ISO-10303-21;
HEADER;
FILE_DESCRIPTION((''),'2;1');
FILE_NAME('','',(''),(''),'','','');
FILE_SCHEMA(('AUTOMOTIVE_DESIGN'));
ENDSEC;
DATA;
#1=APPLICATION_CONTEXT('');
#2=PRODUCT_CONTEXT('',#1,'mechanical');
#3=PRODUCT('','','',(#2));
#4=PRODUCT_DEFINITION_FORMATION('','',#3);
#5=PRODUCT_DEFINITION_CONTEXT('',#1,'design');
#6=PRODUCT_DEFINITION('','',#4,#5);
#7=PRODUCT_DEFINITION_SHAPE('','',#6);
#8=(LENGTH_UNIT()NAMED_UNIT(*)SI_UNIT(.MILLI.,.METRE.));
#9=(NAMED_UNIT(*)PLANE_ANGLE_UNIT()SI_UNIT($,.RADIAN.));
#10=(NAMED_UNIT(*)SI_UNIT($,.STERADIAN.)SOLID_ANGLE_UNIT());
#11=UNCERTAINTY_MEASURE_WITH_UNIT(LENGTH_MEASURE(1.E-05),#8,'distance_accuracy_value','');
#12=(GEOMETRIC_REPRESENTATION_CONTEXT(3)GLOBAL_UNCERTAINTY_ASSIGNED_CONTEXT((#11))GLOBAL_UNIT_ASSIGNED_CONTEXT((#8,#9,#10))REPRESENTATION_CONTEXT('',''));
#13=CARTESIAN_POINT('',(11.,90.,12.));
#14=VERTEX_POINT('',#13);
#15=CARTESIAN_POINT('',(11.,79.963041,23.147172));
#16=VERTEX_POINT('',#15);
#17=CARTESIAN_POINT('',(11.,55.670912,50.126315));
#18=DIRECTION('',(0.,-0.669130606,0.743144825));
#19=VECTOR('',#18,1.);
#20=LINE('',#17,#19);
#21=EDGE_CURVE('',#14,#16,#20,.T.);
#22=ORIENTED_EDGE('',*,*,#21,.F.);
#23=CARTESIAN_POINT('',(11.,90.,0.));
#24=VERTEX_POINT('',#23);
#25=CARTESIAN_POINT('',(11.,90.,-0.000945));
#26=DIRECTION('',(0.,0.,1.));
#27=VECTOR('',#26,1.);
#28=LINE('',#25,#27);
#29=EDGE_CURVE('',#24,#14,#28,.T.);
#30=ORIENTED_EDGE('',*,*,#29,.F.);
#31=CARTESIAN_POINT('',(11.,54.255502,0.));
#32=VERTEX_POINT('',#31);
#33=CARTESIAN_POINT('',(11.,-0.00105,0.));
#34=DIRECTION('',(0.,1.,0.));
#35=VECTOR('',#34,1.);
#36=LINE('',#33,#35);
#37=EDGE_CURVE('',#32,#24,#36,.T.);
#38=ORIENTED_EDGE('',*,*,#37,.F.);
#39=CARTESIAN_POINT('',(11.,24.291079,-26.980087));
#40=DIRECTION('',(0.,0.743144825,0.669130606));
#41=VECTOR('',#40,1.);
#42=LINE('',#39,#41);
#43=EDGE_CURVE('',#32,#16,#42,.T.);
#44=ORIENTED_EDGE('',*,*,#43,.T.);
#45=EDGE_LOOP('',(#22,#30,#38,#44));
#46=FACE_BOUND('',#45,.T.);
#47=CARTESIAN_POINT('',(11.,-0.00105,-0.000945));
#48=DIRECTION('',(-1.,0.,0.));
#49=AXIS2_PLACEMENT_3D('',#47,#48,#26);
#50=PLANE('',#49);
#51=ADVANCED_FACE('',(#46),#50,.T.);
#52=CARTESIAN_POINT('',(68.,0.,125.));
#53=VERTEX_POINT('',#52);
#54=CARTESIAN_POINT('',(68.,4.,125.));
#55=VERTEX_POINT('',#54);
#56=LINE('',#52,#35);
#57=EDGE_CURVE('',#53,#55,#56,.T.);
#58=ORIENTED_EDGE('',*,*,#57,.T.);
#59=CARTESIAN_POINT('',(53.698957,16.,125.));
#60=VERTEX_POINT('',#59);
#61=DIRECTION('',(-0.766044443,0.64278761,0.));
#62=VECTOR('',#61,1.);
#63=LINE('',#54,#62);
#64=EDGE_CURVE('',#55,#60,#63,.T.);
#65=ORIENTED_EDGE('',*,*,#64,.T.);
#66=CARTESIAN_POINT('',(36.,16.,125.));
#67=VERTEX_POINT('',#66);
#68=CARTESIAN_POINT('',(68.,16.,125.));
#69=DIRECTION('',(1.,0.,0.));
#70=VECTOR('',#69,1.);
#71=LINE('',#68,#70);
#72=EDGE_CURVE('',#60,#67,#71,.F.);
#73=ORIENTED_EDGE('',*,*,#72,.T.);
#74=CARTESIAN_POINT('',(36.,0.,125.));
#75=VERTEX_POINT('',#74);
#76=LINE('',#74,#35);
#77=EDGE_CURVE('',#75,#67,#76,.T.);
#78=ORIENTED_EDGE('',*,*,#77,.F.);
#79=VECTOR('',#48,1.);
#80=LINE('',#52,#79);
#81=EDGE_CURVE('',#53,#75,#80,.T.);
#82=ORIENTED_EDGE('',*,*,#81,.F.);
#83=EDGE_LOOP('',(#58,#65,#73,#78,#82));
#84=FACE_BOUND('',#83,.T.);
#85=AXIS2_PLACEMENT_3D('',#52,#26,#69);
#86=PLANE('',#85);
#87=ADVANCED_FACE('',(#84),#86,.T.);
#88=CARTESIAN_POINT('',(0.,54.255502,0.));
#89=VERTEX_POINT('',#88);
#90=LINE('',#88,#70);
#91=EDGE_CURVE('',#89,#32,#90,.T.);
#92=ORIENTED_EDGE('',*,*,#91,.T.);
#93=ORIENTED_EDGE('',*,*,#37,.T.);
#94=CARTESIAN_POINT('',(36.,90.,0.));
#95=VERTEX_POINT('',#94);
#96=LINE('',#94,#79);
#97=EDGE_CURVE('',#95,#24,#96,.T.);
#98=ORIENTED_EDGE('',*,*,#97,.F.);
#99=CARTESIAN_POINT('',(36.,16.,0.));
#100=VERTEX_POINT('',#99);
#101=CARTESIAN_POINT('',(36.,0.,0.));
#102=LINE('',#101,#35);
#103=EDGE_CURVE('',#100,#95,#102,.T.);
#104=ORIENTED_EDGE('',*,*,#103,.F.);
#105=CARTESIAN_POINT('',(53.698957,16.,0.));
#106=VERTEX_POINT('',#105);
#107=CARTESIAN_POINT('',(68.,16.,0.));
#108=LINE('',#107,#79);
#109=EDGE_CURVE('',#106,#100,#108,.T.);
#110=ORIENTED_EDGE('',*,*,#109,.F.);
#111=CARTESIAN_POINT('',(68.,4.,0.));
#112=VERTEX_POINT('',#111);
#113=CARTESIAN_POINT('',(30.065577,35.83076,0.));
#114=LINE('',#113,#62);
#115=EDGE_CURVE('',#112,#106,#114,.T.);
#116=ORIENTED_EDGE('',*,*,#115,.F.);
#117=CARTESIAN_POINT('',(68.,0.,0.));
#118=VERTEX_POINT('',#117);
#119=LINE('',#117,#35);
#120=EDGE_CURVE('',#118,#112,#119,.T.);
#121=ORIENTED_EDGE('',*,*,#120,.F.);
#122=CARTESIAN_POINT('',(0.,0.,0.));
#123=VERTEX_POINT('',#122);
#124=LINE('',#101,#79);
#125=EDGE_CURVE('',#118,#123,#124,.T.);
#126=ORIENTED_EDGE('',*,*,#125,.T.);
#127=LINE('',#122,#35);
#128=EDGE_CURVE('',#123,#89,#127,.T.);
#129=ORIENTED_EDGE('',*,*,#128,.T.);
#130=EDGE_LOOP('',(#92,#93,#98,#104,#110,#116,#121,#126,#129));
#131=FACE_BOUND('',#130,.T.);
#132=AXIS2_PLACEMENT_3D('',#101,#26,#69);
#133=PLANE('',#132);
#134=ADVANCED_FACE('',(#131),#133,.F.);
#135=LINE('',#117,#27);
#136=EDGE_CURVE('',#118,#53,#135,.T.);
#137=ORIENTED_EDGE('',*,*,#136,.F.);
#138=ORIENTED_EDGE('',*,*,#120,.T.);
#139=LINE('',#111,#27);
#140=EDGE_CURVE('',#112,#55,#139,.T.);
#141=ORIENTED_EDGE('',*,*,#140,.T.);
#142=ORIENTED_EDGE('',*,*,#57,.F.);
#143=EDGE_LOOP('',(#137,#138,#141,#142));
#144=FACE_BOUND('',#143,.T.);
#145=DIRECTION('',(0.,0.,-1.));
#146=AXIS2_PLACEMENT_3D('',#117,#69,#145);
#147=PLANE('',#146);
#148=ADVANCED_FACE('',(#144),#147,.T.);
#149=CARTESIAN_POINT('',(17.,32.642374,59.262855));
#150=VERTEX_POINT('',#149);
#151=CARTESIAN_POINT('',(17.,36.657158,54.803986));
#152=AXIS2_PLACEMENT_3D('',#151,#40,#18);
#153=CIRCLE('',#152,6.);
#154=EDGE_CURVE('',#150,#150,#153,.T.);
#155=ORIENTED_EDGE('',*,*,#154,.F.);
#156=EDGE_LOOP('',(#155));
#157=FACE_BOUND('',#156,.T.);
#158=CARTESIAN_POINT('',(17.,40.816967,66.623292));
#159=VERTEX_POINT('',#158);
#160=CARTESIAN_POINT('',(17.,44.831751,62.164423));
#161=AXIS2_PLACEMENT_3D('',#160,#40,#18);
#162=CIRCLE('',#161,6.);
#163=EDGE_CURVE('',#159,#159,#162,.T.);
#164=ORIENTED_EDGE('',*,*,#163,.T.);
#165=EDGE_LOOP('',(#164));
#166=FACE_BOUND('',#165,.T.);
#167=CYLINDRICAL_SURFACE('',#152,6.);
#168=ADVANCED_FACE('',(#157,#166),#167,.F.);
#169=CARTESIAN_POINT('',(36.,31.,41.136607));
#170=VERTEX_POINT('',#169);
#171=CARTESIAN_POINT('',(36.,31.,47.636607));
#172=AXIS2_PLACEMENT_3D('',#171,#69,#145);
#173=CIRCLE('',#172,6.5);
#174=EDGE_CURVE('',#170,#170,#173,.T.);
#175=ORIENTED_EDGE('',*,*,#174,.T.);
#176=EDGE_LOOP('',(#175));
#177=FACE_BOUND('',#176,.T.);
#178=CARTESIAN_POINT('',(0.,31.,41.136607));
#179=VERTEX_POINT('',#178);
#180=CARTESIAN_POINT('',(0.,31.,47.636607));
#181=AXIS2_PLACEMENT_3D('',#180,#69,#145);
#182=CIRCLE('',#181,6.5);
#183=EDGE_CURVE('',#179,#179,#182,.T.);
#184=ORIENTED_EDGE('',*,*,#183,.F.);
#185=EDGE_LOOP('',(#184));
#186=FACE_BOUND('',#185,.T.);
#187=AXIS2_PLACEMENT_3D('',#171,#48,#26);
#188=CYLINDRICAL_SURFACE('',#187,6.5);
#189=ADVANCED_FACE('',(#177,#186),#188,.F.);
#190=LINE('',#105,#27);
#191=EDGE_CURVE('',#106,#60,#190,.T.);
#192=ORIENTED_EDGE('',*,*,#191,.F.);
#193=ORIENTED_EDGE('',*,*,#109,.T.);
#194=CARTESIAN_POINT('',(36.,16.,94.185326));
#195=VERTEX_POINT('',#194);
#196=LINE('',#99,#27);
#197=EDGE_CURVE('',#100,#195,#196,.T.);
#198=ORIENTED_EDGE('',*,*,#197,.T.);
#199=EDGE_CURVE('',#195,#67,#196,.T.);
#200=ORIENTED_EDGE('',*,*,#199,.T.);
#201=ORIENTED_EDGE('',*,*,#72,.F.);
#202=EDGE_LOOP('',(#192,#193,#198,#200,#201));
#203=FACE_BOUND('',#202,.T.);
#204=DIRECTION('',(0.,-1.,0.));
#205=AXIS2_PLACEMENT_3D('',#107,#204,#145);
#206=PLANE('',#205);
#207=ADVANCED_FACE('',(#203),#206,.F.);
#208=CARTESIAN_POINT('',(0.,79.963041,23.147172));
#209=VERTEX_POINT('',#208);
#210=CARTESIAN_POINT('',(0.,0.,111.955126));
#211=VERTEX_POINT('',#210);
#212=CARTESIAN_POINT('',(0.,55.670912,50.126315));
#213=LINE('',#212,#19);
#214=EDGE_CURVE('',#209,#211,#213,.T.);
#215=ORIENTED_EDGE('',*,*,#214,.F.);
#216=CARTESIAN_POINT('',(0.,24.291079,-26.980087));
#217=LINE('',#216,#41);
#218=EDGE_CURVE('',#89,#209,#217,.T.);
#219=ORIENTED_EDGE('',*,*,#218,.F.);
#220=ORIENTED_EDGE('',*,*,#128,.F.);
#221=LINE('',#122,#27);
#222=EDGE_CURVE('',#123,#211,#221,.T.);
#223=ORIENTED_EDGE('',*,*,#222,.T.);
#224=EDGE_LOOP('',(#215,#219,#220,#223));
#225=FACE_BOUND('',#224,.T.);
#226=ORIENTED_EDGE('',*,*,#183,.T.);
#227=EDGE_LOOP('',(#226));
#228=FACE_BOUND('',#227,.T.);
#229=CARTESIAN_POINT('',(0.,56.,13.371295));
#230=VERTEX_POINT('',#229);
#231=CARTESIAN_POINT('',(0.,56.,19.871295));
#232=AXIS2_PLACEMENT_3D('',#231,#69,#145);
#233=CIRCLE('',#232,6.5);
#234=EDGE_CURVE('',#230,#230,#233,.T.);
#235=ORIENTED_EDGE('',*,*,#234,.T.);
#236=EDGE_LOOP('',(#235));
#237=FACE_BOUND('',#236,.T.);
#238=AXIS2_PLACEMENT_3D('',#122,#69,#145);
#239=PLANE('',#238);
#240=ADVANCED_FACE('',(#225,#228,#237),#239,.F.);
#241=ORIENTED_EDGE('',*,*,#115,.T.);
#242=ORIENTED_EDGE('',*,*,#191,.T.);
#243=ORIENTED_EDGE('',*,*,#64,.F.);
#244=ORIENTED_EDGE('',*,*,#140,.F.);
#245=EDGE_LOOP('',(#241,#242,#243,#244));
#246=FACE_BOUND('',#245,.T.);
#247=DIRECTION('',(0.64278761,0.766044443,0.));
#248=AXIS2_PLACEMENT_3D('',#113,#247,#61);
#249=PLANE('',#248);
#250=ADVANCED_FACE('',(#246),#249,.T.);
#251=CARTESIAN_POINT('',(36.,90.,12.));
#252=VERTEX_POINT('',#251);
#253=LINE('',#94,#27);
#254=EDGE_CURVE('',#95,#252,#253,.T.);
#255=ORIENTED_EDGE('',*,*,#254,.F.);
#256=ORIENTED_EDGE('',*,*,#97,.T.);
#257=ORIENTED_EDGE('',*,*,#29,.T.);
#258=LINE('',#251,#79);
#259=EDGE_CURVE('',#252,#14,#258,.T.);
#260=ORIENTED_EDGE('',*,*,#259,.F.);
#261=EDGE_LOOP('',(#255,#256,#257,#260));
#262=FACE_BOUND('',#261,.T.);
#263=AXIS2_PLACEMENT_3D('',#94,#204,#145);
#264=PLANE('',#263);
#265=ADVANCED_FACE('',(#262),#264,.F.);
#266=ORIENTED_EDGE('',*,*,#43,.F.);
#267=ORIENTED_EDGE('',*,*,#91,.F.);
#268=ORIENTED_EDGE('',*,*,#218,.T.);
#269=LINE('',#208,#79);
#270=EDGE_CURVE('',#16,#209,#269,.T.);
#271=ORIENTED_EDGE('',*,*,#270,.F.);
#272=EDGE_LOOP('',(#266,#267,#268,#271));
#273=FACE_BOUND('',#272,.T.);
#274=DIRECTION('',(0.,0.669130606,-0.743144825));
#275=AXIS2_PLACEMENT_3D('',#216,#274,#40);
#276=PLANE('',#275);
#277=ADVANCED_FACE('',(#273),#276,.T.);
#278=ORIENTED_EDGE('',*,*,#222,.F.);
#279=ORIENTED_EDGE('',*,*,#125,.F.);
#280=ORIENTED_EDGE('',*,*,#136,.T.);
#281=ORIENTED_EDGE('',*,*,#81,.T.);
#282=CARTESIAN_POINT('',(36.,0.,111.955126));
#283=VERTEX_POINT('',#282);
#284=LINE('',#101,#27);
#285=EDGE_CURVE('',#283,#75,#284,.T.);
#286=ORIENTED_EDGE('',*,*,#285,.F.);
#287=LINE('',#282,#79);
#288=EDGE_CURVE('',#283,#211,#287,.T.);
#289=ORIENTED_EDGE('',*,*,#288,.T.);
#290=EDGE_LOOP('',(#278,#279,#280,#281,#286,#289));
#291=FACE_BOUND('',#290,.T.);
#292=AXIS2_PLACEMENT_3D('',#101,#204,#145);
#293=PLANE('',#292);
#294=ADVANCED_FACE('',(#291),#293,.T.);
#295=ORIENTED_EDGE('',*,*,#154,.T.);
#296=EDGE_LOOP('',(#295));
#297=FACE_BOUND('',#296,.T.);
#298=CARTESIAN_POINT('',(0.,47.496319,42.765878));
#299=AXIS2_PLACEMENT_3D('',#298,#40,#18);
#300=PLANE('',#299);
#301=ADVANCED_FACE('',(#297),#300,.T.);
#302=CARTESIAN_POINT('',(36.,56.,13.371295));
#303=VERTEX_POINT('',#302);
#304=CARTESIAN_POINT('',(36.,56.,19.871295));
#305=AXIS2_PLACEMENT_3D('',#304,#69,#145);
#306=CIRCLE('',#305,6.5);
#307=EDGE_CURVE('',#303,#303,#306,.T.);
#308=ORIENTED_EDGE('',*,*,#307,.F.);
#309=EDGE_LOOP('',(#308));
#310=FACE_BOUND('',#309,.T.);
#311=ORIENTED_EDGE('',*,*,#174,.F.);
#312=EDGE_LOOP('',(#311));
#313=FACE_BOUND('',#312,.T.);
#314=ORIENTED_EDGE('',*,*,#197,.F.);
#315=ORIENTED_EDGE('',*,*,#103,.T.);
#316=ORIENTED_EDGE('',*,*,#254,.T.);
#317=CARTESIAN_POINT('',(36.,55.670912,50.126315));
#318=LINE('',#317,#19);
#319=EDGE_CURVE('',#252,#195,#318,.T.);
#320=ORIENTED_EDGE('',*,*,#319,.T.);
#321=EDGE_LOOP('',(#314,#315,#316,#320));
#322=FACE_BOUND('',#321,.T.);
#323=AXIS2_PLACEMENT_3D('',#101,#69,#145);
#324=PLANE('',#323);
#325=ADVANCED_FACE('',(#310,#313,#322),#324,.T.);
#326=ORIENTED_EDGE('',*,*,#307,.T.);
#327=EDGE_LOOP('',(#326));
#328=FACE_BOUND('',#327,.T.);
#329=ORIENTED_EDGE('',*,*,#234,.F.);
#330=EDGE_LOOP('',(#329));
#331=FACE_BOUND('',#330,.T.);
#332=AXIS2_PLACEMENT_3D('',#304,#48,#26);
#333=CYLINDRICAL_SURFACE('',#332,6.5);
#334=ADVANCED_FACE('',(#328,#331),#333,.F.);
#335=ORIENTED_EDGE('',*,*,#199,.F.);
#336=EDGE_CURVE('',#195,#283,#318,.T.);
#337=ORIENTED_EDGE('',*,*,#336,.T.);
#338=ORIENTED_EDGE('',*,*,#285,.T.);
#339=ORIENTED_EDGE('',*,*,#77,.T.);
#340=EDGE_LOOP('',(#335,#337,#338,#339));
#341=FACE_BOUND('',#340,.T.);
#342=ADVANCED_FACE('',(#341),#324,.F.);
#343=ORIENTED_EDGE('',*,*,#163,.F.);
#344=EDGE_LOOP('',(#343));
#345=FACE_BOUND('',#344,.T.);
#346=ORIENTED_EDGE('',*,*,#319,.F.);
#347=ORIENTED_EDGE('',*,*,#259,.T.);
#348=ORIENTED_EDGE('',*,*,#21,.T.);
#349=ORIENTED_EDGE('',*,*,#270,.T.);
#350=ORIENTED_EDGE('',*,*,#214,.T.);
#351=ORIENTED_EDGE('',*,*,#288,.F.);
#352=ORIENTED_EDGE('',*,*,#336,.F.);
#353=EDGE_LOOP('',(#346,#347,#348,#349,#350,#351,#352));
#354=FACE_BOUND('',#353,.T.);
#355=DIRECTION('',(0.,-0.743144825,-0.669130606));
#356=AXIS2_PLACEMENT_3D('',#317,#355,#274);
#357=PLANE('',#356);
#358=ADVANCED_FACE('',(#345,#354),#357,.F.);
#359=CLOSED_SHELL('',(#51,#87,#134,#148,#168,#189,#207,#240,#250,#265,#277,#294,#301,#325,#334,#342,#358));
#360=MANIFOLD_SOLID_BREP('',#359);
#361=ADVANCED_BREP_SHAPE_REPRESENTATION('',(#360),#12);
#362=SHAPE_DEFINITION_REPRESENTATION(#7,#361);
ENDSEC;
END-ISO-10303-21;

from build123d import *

# Parameters (mm, degrees)
SKETCH1_R               = 6.5
BOSS_EXTRUDE1_DEPTH     = 36
BOSS_EXTRUDE2_START     = 36
BOSS_EXTRUDE2_DEPTH     = 32
CUT_EXTRUDE1_REACH      = 117.453
SKETCH3_W               = 11
SKETCH3_H               = 15
SKETCH3_H_2             = 8.917737905
SKETCH3_6_R             = 6
CUT_EXTRUDE3_DEPTH      = 11
CUT_EXTRUDE4_DEPTH      = 169.371612809
CUT_EXTRUDE4_DEPTH_BACK = 169.371612809


with BuildPart() as part:
    # Sketch1 → Boss-Extrude1 (new body)
    with BuildSketch(Plane(origin=(0, 0, 0), x_dir=(0, 0, -1), z_dir=(1, 0, 0))):
        Polygon((-12, 90), (-111.955126335, 0), (0, 0), (0, 90), align=None)
        with Locations((-47.636607378, 31)):
            Circle(SKETCH1_R, mode=Mode.SUBTRACT)
        with Locations((-19.871294507, 56)):
            Circle(SKETCH1_R, mode=Mode.SUBTRACT)
    extrude(amount=BOSS_EXTRUDE1_DEPTH)

    # Sketch1<4> → Boss-Extrude2 (add)
    with BuildSketch(Plane(origin=(0, 0, 0), x_dir=(0, 0, -1), z_dir=(1, 0, 0)).offset(BOSS_EXTRUDE2_START)):
        Polygon((-111.955126335, 0), (-94.185326097, 16), (-125, 16), (-125, 0), align=None)
        Polygon((0, 0), (0, 16), (-94.185326097, 16), (-111.955126335, 0), align=None)
    extrude(amount=BOSS_EXTRUDE2_DEPTH)

    # Cut-Extrude1: up to this plane
    cut_extrude1_end = Plane(origin=(36, 0, 0), z_dir=(0, 0, 1))
    # Sketch3 → Cut-Extrude1 (cut, up to the surface)
    with BuildSketch(Plane(origin=(0, 55.670912219, 50.126314512), x_dir=(1, 0, 0), z_dir=(0, 0.7431448254773979, 0.6691306063588541)), mode=Mode.PRIVATE) as cut_extrude1_sk1:
        with Locations((5.5, 43.804016667)):
            Rectangle(SKETCH3_W, SKETCH3_H)
    cut_extrude1_tool1 = split(extrude(cut_extrude1_sk1.sketch, amount=-CUT_EXTRUDE1_REACH, mode=Mode.PRIVATE), bisect_by=cut_extrude1_end, keep=Keep.BOTH, mode=Mode.PRIVATE)
    add(cut_extrude1_tool1.solids().sort_by_distance((5.5, 84.98152, 17.573586))[0], mode=Mode.SUBTRACT)
    # Sketch3 → Cut-Extrude1 (cut, up to the surface)
    with BuildSketch(Plane(origin=(0, 55.670912219, 50.126314512), x_dir=(1, 0, 0), z_dir=(0, 0.7431448254773979, 0.6691306063588541)), mode=Mode.PRIVATE) as cut_extrude1_sk2:
        with Locations((5.5, 55.76288562)):
            Rectangle(SKETCH3_W, SKETCH3_H_2)
    cut_extrude1_tool2 = split(extrude(cut_extrude1_sk2.sketch, amount=-CUT_EXTRUDE1_REACH, mode=Mode.PRIVATE), bisect_by=cut_extrude1_end, keep=Keep.BOTH, mode=Mode.PRIVATE)
    add(cut_extrude1_tool2.solids().sort_by_distance((5.5, 92.983566, 8.686415))[0], mode=Mode.SUBTRACT)

    # Sketch3<6> → Cut-Extrude3 (cut)
    with BuildSketch(Plane(origin=(0, 55.670912219, 50.126314512), x_dir=(1, 0, 0), z_dir=(0, 0.7431448254773979, 0.6691306063588541))):
        with Locations(Location((17, -16.198872821, 0), (0, 0, 270))):
            Circle(SKETCH3_6_R)
    extrude(amount=-CUT_EXTRUDE3_DEPTH, mode=Mode.SUBTRACT)

    # Sketch4 → Cut-Extrude4 (cut, two sides: drawn at the far end of the back side and taken through both)
    with BuildSketch(Plane.XY.offset(125).offset(-CUT_EXTRUDE4_DEPTH_BACK)):
        Polygon((53.698956889, 16), (68, 4), (68, 16), align=None)
    extrude(amount=CUT_EXTRUDE4_DEPTH + CUT_EXTRUDE4_DEPTH_BACK, mode=Mode.SUBTRACT)


solid = part.part
